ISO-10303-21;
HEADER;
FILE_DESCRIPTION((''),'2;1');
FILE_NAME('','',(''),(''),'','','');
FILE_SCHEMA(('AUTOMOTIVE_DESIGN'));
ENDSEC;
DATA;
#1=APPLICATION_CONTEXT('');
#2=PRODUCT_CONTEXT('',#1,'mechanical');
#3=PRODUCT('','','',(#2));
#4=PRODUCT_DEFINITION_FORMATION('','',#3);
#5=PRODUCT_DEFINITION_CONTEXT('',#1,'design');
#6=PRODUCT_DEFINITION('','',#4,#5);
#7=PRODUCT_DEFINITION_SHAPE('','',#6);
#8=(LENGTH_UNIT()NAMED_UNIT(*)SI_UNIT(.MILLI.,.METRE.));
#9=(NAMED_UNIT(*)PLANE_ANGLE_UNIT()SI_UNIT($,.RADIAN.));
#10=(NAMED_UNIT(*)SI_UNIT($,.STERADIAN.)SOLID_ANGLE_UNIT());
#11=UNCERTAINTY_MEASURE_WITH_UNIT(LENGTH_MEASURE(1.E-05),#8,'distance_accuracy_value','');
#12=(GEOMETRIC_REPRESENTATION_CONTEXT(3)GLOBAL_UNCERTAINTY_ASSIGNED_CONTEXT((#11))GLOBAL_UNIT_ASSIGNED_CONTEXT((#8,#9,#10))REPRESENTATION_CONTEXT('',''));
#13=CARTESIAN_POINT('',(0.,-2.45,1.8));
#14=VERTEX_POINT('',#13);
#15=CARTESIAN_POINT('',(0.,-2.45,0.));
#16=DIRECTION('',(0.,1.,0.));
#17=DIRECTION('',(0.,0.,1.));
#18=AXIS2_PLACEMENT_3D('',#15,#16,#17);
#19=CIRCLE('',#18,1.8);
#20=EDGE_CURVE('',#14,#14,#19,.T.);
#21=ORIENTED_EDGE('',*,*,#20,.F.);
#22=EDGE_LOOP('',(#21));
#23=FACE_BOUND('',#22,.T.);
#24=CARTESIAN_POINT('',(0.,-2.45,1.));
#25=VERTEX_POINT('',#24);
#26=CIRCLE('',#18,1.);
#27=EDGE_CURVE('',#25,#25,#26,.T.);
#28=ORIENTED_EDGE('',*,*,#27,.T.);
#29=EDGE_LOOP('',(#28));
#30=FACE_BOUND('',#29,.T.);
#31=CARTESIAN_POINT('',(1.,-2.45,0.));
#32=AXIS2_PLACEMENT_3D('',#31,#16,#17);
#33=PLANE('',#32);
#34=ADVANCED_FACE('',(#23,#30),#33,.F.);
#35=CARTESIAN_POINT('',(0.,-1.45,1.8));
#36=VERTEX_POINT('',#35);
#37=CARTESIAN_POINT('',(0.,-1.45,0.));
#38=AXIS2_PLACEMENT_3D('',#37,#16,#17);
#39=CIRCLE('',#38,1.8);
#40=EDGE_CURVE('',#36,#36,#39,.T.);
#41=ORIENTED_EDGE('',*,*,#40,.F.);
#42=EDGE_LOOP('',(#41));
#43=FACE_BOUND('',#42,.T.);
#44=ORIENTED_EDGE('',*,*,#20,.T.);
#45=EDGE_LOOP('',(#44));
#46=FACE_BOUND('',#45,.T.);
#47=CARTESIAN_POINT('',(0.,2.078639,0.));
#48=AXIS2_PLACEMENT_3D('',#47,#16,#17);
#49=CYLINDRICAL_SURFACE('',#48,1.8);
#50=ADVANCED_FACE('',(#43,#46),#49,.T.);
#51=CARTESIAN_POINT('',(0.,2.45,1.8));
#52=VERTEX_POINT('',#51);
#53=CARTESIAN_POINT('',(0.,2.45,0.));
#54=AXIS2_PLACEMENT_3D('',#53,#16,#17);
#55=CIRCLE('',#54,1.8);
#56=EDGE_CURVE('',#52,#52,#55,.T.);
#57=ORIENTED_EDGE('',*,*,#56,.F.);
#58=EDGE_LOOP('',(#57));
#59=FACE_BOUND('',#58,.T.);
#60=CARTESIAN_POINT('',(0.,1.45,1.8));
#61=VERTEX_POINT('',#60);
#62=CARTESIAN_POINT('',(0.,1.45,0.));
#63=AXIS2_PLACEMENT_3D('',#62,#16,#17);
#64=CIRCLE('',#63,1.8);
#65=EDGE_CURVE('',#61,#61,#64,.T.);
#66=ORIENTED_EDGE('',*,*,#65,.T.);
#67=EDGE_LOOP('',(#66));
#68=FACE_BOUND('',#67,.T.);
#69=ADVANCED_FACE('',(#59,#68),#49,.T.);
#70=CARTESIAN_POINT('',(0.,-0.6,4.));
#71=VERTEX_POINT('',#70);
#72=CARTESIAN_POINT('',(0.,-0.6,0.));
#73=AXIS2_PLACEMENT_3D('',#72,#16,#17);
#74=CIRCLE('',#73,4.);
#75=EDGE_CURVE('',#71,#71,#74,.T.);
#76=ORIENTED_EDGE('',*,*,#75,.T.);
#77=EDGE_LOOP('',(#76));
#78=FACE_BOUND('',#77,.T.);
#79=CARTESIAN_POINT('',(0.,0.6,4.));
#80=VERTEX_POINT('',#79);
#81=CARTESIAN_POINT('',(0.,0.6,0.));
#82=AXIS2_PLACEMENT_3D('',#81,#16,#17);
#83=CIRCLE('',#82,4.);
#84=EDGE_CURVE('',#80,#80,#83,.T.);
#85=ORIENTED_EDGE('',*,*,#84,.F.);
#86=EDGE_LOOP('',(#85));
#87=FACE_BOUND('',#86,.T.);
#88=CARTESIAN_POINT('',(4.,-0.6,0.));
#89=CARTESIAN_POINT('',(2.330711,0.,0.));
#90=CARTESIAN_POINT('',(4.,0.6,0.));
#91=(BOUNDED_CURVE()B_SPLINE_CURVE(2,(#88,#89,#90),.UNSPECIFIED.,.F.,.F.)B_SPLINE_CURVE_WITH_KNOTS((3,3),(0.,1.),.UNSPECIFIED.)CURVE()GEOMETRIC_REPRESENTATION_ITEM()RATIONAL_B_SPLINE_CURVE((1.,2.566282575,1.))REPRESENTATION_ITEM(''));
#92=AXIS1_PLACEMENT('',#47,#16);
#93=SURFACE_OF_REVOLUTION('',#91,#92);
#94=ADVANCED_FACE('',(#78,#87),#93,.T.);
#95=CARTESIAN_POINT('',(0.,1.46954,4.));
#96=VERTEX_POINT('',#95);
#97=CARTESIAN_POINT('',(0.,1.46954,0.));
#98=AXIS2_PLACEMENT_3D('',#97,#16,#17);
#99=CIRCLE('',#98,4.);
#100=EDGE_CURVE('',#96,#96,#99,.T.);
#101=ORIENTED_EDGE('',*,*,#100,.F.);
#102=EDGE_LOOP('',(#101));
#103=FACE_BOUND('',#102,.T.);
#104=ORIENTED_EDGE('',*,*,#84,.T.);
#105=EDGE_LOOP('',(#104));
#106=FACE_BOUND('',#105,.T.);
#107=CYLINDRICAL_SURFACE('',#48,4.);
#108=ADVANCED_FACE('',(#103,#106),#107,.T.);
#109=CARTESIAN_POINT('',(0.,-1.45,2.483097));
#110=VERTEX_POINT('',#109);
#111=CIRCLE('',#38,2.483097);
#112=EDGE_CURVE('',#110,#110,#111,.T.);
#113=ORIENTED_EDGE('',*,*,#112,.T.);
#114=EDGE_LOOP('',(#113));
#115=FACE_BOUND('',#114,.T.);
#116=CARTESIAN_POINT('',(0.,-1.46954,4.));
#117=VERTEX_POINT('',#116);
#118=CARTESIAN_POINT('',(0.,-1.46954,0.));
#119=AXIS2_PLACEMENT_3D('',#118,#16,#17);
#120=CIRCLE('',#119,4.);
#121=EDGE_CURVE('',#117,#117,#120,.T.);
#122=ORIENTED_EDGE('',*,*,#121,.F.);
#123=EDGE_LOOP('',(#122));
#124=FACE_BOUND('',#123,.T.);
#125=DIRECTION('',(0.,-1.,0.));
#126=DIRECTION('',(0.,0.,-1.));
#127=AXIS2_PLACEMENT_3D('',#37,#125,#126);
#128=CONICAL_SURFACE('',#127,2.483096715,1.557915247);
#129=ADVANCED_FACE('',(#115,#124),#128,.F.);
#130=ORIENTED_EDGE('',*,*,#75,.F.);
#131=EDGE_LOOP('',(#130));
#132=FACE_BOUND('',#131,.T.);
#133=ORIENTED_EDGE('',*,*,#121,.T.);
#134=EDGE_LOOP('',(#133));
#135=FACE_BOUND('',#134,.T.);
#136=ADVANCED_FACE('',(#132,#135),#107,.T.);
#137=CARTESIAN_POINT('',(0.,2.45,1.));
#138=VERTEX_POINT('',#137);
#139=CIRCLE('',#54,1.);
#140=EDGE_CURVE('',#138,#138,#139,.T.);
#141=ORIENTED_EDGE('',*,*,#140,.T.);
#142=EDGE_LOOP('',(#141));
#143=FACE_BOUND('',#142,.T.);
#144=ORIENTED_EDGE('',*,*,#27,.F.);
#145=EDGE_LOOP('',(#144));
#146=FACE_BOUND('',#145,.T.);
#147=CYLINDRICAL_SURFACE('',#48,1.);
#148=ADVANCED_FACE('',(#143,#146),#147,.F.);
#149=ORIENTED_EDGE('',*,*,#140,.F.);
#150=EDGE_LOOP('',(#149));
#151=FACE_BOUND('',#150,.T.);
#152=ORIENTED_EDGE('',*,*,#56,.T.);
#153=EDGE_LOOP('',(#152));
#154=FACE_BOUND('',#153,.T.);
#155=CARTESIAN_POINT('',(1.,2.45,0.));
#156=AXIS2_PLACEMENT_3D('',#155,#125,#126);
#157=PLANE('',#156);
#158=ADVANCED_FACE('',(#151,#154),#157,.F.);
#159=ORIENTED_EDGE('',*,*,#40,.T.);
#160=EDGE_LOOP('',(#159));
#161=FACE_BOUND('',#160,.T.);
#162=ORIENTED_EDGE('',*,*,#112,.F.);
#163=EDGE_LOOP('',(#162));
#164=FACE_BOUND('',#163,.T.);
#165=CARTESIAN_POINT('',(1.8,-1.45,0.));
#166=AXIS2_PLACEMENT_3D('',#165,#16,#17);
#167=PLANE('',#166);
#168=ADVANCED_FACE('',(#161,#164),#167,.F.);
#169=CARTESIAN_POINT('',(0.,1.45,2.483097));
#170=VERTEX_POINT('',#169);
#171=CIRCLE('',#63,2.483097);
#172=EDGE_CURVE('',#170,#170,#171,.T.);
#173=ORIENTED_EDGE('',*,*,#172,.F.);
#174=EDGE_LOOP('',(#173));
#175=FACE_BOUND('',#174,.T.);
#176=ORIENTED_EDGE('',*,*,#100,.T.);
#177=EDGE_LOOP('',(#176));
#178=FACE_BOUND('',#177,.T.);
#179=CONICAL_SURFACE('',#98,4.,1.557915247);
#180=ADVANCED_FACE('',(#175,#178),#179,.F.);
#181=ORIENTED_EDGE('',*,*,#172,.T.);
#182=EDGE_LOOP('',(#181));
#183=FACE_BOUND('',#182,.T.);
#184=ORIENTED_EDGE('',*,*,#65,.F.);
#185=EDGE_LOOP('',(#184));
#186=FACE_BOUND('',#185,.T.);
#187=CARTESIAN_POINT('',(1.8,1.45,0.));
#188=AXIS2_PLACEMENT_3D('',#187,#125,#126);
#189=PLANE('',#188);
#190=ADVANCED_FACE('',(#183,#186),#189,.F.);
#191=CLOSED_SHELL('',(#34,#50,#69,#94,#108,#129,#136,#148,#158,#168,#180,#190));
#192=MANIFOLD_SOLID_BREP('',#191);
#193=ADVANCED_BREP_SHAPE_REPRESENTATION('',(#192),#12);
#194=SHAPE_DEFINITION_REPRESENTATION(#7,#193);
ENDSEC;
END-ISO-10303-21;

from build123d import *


with BuildPart() as part:
    # 草图1 → 旋转9 (revolve)
    with BuildSketch(Plane.XY, mode=Mode.PRIVATE) as revolve_9_sk:
        with BuildLine():
            Line((1.8, -1.45), (2.483096715, -1.45))
            Line((2.483096715, -1.45), (4, -1.469540433))
            Line((4, -1.469540433), (4, -0.6))
            add(Edge.make_bspline(
                [(4, 0.6), (2.330711219, 0), (4, -0.6)],
                knots=[0, 0, 0, 1, 1, 1], degree=2, weights=[1, 2.566282575, 1]))
            Line((4, 0.6), (4, 1.469540433))
            Line((4, 1.469540433), (2.483096715, 1.45))
            Line((2.483096715, 1.45), (1.8, 1.45))
            Line((1.8, 1.45), (1.8, 2.45))
            Line((1.8, 2.45), (1, 2.45))
            Line((1, 2.45), (1, -2.45))
            Line((1, -2.45), (1.8, -2.45))
            Line((1.8, -2.45), (1.8, -1.45))
        make_face()
    revolve(revolve_9_sk.sketch.rotate(Axis((0, 2.07863921, 0), (0, -1, 0)), 90), axis=Axis((0, 2.07863921, 0), (0, -1, 0)))


solid = part.part
